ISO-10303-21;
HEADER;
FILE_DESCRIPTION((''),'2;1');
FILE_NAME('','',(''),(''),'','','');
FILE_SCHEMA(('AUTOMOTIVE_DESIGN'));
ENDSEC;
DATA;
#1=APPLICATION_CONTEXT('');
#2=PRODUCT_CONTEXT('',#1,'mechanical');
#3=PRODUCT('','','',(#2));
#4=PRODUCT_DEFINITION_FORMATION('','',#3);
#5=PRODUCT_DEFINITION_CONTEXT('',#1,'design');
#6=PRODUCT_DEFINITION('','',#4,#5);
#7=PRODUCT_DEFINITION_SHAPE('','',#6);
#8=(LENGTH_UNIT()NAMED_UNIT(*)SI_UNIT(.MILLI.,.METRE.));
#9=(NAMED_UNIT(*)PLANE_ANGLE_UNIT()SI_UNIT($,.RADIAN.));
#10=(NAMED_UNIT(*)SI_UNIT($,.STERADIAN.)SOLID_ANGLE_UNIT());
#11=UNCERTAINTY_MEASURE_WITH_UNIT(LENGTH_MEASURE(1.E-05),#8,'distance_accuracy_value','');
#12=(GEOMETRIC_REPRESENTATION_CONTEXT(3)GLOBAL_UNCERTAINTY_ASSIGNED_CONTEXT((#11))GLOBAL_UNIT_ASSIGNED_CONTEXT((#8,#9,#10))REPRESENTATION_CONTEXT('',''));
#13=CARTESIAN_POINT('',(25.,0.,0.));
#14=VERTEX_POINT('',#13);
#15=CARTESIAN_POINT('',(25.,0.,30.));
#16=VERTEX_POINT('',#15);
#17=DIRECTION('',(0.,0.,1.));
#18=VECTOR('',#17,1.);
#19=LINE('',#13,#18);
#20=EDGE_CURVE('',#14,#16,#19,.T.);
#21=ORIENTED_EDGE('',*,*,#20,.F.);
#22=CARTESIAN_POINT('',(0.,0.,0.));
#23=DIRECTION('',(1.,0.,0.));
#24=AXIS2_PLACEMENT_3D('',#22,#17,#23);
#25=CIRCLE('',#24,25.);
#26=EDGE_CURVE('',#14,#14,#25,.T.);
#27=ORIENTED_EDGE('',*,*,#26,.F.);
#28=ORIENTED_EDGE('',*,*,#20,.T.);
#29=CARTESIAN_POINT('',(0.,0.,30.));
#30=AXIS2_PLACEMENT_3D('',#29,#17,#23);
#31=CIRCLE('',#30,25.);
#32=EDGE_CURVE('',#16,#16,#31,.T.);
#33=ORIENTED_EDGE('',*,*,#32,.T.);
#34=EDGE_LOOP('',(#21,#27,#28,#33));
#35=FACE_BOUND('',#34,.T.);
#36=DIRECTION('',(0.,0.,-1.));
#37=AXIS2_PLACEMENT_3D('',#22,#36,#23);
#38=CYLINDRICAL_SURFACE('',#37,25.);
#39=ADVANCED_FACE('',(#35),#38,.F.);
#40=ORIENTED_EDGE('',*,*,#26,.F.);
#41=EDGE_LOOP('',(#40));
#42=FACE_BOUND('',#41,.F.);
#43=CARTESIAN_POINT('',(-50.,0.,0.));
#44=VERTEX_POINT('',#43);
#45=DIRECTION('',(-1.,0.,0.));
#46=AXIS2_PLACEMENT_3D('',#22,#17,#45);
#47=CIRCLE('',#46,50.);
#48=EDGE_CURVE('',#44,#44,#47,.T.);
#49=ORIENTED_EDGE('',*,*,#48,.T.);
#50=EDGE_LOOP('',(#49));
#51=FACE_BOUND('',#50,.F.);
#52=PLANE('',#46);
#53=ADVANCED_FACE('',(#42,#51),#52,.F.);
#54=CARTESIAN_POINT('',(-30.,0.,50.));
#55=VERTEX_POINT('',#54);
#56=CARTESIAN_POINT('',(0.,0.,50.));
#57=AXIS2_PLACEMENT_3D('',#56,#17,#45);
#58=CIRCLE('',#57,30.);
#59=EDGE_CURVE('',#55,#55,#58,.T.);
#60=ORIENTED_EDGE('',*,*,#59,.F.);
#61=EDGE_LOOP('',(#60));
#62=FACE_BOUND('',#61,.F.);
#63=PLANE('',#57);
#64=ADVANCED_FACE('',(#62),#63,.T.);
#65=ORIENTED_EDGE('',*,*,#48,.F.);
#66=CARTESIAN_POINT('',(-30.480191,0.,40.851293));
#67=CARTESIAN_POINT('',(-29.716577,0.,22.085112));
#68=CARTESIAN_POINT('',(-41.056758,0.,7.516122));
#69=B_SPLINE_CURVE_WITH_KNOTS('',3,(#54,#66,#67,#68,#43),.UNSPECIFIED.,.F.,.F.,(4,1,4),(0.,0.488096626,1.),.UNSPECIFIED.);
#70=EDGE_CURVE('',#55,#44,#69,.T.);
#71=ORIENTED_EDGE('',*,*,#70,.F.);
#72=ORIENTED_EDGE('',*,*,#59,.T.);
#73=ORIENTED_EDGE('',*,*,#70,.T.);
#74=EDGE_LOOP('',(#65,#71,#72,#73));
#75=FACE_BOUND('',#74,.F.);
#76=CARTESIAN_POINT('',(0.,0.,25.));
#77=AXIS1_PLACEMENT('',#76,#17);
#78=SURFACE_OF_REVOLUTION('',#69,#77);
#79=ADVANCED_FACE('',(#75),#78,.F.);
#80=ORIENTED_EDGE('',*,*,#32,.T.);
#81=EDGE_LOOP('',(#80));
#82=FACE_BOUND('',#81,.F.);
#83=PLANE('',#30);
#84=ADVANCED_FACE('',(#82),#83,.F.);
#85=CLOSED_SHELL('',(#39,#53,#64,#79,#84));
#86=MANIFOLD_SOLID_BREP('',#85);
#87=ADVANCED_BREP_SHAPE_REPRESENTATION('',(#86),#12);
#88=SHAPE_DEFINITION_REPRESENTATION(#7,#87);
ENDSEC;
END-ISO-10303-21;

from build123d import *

# Parameters (mm, degrees)
F2_R     = 25
F3_DEPTH = 30


with BuildPart() as f1:
    # F0 (on Front) → F1 (revolve)
    with BuildSketch(Plane.XZ):
        with BuildLine():
            Line((-50, 0), (0, 0))
            Line((0, 0), (0, 50))
            Line((0, 50), (-30, 50))
            add(Edge.make_bspline(
                [(-30, 50), (-30.4801908734, 40.8512933377), (-29.7165767129, 22.08511213), (-41.056758415, 7.5161224678), (-50, 0)],
                knots=[0, 0, 0, 0, 0.488096626, 1, 1, 1, 1], degree=3))
        make_face()
    revolve(axis=Axis((0, 0, 25), (0, 0, 1)))

    # F2 (on Top) → F3 (cut)
    with BuildSketch(Plane.XY):
        Circle(F2_R)
    extrude(amount=F3_DEPTH, mode=Mode.SUBTRACT)


solid = f1.part
